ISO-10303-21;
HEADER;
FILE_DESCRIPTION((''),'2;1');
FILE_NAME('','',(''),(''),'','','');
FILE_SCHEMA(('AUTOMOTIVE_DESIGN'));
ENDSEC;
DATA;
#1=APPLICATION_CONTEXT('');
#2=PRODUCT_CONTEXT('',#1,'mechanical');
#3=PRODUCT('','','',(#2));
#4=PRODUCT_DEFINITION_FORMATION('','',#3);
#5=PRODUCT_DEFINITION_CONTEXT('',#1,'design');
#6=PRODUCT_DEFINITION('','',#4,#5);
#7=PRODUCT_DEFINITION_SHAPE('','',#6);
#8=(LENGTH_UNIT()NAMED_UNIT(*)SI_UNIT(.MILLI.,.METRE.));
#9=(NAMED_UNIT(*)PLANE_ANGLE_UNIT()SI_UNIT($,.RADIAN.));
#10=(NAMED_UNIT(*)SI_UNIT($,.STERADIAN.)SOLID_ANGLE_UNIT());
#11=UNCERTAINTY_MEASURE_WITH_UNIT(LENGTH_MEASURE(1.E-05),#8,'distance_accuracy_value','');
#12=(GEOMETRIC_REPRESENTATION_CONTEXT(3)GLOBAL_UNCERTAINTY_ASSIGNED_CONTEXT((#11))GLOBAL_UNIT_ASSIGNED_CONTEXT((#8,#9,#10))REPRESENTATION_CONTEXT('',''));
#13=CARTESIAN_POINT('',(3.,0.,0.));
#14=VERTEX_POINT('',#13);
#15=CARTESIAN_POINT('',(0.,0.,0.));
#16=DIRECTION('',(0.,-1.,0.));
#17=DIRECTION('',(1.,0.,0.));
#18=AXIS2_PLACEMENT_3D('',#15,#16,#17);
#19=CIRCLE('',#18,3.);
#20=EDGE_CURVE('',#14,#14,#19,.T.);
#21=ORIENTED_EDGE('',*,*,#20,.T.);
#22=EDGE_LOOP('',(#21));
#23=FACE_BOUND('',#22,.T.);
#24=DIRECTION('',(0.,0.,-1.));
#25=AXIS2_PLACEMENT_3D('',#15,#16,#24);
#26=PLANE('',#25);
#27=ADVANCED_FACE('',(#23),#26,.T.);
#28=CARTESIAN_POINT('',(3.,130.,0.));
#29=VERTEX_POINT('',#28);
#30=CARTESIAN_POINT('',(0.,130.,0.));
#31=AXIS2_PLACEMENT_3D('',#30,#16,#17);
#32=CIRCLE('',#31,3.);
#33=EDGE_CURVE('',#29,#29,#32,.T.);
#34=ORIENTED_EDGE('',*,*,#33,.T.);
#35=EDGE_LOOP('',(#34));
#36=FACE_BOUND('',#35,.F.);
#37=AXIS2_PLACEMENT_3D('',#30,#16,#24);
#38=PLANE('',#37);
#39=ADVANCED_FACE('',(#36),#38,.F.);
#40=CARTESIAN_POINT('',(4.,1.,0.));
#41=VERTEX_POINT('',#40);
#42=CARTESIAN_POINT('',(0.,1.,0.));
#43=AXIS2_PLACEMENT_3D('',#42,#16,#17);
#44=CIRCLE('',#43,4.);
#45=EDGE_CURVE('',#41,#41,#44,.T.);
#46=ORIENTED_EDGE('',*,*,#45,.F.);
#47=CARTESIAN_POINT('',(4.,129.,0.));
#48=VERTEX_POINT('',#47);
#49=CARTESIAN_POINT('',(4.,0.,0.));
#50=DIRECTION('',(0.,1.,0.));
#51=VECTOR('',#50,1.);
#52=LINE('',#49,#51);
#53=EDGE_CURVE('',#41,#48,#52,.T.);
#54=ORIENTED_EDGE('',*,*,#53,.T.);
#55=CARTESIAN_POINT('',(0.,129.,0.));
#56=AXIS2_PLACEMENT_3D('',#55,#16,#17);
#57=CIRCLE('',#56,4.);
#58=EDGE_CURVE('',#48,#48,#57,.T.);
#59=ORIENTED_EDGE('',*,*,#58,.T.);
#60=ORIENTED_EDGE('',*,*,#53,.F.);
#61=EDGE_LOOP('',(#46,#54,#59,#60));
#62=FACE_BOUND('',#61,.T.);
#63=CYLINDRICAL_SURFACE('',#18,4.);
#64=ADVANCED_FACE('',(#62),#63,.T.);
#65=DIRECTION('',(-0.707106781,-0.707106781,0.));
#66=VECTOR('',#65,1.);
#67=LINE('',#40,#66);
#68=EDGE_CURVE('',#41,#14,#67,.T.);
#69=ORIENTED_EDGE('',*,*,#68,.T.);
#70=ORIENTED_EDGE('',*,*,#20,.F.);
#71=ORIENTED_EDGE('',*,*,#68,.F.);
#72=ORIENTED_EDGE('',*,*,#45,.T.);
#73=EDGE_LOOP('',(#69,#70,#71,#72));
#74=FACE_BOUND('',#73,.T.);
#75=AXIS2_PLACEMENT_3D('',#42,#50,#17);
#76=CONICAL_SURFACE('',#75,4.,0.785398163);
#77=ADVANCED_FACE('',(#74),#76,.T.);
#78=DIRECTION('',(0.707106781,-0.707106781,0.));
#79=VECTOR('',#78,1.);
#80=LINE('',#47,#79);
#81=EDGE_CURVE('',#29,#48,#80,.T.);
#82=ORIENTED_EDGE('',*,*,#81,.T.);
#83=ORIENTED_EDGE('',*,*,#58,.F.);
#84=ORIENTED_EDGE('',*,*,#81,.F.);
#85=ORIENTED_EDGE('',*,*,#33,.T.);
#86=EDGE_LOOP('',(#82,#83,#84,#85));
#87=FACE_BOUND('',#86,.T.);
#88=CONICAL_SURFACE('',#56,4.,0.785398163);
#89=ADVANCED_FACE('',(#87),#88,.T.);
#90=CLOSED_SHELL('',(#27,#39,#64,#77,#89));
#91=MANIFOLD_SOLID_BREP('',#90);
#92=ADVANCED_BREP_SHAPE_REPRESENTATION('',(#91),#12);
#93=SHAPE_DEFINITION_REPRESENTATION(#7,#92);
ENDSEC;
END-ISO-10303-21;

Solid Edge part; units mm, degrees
sketch "Sketch1" plane through (0, 0, 0) normal (0, -1, 0) x (1, 0, 0)
  circle A0 centre (0, 0) radius 4
extrude "Protrusion1" add sketch "Sketch1" against normal blind 130
chamfer "Chamfer_1" distance 1 angle 45 2 edges at (-4, 0, 0) (-4, 130, 0) measured on face at (-2.5867, 130, 2.7467)
cosmetic_thread "Thread1" size "Tr 8 x 2"
